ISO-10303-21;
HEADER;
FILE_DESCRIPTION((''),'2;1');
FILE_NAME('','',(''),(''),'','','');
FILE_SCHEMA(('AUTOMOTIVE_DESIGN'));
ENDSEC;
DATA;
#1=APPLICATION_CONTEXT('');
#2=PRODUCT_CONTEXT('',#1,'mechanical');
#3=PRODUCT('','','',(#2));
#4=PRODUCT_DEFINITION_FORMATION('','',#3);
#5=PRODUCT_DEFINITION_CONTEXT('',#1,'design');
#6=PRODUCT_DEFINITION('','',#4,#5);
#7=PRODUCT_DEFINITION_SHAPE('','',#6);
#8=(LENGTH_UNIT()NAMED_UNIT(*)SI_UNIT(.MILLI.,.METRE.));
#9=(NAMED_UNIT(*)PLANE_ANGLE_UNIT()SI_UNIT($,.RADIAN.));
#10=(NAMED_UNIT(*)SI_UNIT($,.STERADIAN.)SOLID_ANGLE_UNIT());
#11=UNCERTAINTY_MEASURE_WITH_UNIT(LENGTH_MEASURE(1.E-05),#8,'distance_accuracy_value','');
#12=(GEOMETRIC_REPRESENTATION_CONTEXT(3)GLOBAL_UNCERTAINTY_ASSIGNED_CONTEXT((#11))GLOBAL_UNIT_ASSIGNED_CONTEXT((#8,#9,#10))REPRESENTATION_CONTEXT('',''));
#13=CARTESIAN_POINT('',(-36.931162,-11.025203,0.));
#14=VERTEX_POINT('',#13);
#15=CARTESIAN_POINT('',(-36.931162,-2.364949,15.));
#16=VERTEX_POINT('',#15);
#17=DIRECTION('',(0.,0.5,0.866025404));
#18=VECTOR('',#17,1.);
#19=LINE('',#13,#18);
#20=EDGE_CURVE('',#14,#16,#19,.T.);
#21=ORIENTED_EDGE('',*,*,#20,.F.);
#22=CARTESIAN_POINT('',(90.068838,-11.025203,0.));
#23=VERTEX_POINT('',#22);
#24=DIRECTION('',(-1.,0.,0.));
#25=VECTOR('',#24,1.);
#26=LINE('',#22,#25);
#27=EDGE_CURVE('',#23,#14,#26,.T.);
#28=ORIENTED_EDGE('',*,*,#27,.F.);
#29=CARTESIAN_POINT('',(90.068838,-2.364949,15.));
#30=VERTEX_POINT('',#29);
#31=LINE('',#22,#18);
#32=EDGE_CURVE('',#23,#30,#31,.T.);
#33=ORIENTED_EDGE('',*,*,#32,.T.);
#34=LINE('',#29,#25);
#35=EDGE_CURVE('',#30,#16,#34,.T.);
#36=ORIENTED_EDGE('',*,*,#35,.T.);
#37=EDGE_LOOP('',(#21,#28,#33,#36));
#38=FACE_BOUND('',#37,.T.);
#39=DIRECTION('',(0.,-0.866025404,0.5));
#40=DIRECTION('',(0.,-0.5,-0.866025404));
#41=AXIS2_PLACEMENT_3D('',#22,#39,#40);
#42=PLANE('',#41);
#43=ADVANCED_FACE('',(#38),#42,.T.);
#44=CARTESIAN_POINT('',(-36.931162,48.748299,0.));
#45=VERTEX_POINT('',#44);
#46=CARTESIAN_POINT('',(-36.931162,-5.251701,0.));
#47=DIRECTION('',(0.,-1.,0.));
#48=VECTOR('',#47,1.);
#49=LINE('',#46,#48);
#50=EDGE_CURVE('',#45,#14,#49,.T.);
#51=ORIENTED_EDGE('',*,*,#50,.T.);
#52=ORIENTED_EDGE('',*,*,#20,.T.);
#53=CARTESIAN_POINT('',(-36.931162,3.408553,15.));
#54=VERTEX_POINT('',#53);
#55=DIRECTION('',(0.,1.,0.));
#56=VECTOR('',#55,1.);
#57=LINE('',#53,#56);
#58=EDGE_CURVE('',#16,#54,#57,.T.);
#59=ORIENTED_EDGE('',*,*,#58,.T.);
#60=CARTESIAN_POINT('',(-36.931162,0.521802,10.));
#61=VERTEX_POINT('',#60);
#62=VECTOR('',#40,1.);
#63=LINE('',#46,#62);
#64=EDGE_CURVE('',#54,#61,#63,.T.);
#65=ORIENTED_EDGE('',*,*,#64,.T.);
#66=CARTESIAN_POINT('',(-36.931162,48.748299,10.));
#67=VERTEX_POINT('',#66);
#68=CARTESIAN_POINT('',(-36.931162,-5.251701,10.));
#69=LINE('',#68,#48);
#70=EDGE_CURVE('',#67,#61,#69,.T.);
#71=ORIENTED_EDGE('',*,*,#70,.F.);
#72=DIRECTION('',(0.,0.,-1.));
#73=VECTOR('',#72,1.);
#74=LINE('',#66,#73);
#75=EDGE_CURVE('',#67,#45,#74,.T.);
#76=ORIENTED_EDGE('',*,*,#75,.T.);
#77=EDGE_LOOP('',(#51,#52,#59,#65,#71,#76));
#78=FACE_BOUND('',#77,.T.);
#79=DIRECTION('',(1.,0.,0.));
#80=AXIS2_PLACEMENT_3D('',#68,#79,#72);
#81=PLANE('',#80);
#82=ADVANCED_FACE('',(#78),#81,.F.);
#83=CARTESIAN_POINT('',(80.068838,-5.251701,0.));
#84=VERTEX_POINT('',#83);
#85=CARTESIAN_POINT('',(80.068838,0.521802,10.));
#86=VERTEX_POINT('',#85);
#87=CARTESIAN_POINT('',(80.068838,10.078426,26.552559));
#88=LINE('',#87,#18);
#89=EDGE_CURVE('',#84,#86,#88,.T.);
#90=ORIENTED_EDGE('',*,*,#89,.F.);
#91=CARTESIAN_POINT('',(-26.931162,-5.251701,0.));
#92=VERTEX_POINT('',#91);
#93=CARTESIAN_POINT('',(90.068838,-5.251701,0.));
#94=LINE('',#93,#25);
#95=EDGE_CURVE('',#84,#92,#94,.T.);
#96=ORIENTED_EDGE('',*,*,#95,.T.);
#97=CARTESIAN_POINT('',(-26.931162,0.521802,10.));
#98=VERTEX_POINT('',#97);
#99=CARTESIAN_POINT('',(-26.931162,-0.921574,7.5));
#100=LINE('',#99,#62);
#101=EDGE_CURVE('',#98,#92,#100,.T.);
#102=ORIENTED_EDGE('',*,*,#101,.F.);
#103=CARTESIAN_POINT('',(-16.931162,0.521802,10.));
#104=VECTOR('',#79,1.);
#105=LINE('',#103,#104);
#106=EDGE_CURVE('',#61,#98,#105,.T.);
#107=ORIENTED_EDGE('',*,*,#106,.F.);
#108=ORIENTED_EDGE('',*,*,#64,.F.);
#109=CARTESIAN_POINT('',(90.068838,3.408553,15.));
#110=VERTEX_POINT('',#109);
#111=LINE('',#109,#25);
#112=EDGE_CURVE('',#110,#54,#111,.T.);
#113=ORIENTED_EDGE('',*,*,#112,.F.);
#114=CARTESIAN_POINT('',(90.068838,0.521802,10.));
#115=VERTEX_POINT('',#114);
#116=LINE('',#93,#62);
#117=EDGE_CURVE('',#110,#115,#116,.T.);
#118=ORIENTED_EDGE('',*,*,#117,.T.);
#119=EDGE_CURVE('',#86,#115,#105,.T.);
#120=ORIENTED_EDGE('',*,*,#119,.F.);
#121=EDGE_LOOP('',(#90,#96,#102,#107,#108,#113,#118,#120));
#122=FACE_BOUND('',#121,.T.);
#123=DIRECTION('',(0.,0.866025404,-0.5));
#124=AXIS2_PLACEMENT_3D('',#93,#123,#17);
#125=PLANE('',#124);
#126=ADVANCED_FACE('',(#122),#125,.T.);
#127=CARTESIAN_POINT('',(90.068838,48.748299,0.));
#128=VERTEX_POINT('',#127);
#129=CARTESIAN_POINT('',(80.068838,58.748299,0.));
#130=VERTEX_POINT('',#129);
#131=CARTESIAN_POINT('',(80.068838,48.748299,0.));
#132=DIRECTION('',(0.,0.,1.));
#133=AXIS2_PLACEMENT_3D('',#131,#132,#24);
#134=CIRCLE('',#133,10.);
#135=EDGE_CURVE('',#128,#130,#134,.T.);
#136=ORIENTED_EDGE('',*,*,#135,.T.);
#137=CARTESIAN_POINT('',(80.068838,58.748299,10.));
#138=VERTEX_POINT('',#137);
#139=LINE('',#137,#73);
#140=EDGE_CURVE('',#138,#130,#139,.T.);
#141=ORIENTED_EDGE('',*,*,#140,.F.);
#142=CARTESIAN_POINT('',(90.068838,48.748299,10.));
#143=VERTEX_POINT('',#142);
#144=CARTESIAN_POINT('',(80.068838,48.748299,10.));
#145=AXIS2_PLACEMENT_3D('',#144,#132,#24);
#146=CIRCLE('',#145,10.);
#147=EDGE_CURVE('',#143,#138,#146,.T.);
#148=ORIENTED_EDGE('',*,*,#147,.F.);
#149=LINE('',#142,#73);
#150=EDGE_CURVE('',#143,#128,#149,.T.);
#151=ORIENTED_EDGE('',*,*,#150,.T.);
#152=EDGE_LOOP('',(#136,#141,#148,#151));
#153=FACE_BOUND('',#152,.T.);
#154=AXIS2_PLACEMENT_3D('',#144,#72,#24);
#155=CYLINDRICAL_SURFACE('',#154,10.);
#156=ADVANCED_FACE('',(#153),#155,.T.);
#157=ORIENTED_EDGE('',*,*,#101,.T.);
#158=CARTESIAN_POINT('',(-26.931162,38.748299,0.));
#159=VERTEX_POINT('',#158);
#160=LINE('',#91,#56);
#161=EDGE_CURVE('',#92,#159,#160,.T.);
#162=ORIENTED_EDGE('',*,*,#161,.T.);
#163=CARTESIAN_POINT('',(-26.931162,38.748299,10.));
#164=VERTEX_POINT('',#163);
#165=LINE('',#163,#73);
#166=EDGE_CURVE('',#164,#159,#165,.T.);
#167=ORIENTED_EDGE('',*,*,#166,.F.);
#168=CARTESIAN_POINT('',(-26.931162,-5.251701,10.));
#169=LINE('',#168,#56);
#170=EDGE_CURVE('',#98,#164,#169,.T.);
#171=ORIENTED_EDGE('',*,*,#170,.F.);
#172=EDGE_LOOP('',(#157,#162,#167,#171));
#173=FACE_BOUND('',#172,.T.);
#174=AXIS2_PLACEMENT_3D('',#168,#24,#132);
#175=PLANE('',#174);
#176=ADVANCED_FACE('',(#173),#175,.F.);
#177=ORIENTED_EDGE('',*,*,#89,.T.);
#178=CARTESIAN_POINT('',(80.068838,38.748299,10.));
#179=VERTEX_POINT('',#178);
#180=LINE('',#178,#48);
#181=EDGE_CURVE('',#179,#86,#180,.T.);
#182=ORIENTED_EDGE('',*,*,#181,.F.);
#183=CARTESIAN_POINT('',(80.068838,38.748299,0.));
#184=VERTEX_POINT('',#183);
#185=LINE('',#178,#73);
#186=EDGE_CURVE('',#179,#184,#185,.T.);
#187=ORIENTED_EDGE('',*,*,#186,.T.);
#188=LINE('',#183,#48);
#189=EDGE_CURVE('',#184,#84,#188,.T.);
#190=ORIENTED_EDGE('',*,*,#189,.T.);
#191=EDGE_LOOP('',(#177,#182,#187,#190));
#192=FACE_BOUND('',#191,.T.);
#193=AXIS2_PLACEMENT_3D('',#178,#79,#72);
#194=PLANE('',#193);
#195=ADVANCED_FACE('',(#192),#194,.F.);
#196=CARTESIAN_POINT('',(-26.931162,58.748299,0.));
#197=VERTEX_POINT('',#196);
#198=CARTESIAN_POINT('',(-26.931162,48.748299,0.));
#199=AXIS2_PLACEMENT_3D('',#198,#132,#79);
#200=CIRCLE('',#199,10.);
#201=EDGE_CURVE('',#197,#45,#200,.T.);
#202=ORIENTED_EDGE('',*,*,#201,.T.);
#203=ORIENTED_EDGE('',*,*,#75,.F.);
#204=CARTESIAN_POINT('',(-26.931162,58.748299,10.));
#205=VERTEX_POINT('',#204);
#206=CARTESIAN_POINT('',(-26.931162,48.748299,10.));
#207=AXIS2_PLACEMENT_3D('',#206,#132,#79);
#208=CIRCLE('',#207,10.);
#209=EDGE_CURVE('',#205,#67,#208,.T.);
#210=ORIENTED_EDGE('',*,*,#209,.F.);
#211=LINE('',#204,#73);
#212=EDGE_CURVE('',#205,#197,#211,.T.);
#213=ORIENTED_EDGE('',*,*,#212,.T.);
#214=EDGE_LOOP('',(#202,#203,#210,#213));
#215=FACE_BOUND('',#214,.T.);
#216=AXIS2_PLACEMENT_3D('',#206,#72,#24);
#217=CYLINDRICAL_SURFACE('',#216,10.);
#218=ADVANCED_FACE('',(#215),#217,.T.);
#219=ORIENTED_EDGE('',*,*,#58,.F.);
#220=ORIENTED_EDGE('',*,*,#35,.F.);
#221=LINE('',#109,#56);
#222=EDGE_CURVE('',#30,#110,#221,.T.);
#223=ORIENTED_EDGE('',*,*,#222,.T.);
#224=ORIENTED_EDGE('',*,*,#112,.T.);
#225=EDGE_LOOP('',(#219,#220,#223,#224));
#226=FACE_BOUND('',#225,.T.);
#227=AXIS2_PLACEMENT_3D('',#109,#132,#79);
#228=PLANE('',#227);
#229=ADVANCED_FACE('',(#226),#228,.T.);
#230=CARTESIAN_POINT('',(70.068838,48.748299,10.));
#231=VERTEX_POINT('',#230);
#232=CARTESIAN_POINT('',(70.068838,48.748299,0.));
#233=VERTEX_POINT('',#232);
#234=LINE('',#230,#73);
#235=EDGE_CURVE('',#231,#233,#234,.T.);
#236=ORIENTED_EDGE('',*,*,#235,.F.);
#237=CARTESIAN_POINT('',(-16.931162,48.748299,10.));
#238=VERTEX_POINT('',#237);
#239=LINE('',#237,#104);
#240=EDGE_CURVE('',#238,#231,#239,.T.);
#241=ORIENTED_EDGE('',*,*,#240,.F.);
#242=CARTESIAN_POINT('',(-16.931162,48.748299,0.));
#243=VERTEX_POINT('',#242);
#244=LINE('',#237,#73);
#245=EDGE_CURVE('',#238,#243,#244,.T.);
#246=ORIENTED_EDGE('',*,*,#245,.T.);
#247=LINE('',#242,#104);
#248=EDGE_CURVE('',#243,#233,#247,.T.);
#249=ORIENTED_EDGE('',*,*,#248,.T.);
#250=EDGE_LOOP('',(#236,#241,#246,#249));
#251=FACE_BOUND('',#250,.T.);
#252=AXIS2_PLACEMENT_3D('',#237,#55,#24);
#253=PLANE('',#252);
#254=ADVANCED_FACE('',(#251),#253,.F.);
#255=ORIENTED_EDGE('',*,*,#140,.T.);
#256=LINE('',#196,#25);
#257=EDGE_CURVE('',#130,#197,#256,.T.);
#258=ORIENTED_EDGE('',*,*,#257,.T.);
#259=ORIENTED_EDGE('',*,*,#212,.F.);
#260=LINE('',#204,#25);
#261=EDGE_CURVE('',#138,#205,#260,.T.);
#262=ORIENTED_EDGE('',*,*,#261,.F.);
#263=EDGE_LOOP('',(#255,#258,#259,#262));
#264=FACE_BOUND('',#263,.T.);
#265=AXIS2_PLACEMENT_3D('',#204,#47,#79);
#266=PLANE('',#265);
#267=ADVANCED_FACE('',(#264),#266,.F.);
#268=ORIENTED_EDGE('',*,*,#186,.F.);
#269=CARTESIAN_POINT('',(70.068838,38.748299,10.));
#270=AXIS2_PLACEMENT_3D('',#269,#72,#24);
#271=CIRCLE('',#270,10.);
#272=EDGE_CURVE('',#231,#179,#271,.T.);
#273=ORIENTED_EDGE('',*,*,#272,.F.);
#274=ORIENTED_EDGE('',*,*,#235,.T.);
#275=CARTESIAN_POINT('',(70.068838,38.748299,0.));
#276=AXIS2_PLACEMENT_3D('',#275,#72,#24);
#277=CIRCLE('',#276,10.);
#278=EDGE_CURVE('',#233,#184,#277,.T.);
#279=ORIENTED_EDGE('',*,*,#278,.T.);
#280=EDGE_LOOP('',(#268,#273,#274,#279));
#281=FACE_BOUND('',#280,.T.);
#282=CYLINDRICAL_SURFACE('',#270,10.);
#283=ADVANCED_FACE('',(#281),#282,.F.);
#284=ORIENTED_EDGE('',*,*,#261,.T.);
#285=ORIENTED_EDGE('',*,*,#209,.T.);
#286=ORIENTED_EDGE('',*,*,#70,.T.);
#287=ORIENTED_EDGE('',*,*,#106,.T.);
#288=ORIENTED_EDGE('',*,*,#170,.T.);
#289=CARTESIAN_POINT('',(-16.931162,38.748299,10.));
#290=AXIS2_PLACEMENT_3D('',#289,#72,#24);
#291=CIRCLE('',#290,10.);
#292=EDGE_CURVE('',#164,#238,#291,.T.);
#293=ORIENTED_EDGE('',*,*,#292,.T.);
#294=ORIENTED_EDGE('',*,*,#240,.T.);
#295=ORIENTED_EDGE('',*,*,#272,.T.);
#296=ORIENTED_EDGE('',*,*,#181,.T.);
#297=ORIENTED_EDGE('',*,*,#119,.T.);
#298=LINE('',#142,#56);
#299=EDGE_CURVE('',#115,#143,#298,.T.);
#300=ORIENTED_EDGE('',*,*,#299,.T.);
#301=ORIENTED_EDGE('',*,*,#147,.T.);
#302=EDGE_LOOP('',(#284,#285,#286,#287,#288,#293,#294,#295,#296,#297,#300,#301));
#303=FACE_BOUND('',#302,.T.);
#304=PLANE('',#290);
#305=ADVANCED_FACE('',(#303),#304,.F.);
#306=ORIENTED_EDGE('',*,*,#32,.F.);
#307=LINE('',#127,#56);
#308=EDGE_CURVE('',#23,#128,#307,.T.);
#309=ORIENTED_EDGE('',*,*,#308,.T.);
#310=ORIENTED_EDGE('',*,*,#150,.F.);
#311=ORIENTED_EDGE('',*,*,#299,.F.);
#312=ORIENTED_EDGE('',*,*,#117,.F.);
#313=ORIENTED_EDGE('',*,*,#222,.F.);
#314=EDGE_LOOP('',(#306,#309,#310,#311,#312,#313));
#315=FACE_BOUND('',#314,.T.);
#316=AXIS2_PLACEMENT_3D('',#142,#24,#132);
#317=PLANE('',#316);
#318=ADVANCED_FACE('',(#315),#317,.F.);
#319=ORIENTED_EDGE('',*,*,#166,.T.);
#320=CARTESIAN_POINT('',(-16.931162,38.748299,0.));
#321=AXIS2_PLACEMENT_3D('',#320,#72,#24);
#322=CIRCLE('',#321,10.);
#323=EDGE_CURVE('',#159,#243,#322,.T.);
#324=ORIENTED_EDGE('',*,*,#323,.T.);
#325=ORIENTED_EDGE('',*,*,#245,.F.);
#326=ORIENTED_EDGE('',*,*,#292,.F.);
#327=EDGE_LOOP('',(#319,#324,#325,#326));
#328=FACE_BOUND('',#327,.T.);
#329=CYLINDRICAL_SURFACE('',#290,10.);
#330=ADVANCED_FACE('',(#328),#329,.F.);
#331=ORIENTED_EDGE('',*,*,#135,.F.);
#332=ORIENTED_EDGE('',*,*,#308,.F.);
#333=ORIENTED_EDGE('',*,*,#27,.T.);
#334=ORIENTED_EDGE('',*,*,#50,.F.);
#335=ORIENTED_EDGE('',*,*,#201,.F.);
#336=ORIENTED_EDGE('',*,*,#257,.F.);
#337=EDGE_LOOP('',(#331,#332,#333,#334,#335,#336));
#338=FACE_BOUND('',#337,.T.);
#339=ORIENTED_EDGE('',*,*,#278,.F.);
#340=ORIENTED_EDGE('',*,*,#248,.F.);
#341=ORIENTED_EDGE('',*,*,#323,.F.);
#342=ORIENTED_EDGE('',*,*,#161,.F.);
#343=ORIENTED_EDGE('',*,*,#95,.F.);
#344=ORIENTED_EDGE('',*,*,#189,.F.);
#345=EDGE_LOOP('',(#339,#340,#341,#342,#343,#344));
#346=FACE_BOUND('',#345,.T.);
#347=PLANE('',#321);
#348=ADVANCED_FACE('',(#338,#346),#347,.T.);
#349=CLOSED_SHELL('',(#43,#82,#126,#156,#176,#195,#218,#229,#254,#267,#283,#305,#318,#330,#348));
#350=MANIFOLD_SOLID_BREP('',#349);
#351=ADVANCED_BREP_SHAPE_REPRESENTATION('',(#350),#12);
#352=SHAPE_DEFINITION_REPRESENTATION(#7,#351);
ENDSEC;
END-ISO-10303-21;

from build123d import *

# Parameters (mm, degrees)
SALIENTE_EXTRUIR1_DEPTH = 10
SALIENTE_EXTRUIR2_DEPTH = 127


with BuildPart() as part:
    # Croquis1 → Saliente-Extruir1 (new body)
    with BuildSketch(Plane.XY):
        with BuildLine():
            Line((-36.931162, -5.25170068), (-36.931162, 48.74829932))
            ThreePointArc((-36.931162, 48.74829932), (-34.002229812, 55.819367132), (-26.931162, 58.74829932))
            Line((-26.931162, 58.74829932), (80.068838, 58.74829932))
            ThreePointArc((80.068838, 58.74829932), (87.139905812, 55.819367132), (90.068838, 48.74829932))
            Line((90.068838, 48.74829932), (90.068838, -5.25170068))
            Line((90.068838, -5.25170068), (80.068838, -5.25170068))
            Line((80.068838, -5.25170068), (80.068838, 38.74829932))
            ThreePointArc((80.068838, 38.74829932), (77.139905812, 45.819367132), (70.068838, 48.74829932))
            Line((70.068838, 48.74829932), (-16.931162, 48.74829932))
            ThreePointArc((-16.931162, 48.74829932), (-24.002229812, 45.819367132), (-26.931162, 38.74829932))
            Line((-26.931162, 38.74829932), (-26.931162, -5.25170068))
            Line((-26.931162, -5.25170068), (-36.931162, -5.25170068))
        make_face()
    extrude(amount=SALIENTE_EXTRUIR1_DEPTH)

    # Croquis2 → Saliente-Extruir2 (add)
    with BuildSketch(Plane.ZY.offset(36.931162)):
        Polygon((0, -11.025203372), (15, -2.364949334), (15, 3.408553358), (0, -5.25170068), align=None)
    extrude(amount=-SALIENTE_EXTRUIR2_DEPTH)


solid = part.part
